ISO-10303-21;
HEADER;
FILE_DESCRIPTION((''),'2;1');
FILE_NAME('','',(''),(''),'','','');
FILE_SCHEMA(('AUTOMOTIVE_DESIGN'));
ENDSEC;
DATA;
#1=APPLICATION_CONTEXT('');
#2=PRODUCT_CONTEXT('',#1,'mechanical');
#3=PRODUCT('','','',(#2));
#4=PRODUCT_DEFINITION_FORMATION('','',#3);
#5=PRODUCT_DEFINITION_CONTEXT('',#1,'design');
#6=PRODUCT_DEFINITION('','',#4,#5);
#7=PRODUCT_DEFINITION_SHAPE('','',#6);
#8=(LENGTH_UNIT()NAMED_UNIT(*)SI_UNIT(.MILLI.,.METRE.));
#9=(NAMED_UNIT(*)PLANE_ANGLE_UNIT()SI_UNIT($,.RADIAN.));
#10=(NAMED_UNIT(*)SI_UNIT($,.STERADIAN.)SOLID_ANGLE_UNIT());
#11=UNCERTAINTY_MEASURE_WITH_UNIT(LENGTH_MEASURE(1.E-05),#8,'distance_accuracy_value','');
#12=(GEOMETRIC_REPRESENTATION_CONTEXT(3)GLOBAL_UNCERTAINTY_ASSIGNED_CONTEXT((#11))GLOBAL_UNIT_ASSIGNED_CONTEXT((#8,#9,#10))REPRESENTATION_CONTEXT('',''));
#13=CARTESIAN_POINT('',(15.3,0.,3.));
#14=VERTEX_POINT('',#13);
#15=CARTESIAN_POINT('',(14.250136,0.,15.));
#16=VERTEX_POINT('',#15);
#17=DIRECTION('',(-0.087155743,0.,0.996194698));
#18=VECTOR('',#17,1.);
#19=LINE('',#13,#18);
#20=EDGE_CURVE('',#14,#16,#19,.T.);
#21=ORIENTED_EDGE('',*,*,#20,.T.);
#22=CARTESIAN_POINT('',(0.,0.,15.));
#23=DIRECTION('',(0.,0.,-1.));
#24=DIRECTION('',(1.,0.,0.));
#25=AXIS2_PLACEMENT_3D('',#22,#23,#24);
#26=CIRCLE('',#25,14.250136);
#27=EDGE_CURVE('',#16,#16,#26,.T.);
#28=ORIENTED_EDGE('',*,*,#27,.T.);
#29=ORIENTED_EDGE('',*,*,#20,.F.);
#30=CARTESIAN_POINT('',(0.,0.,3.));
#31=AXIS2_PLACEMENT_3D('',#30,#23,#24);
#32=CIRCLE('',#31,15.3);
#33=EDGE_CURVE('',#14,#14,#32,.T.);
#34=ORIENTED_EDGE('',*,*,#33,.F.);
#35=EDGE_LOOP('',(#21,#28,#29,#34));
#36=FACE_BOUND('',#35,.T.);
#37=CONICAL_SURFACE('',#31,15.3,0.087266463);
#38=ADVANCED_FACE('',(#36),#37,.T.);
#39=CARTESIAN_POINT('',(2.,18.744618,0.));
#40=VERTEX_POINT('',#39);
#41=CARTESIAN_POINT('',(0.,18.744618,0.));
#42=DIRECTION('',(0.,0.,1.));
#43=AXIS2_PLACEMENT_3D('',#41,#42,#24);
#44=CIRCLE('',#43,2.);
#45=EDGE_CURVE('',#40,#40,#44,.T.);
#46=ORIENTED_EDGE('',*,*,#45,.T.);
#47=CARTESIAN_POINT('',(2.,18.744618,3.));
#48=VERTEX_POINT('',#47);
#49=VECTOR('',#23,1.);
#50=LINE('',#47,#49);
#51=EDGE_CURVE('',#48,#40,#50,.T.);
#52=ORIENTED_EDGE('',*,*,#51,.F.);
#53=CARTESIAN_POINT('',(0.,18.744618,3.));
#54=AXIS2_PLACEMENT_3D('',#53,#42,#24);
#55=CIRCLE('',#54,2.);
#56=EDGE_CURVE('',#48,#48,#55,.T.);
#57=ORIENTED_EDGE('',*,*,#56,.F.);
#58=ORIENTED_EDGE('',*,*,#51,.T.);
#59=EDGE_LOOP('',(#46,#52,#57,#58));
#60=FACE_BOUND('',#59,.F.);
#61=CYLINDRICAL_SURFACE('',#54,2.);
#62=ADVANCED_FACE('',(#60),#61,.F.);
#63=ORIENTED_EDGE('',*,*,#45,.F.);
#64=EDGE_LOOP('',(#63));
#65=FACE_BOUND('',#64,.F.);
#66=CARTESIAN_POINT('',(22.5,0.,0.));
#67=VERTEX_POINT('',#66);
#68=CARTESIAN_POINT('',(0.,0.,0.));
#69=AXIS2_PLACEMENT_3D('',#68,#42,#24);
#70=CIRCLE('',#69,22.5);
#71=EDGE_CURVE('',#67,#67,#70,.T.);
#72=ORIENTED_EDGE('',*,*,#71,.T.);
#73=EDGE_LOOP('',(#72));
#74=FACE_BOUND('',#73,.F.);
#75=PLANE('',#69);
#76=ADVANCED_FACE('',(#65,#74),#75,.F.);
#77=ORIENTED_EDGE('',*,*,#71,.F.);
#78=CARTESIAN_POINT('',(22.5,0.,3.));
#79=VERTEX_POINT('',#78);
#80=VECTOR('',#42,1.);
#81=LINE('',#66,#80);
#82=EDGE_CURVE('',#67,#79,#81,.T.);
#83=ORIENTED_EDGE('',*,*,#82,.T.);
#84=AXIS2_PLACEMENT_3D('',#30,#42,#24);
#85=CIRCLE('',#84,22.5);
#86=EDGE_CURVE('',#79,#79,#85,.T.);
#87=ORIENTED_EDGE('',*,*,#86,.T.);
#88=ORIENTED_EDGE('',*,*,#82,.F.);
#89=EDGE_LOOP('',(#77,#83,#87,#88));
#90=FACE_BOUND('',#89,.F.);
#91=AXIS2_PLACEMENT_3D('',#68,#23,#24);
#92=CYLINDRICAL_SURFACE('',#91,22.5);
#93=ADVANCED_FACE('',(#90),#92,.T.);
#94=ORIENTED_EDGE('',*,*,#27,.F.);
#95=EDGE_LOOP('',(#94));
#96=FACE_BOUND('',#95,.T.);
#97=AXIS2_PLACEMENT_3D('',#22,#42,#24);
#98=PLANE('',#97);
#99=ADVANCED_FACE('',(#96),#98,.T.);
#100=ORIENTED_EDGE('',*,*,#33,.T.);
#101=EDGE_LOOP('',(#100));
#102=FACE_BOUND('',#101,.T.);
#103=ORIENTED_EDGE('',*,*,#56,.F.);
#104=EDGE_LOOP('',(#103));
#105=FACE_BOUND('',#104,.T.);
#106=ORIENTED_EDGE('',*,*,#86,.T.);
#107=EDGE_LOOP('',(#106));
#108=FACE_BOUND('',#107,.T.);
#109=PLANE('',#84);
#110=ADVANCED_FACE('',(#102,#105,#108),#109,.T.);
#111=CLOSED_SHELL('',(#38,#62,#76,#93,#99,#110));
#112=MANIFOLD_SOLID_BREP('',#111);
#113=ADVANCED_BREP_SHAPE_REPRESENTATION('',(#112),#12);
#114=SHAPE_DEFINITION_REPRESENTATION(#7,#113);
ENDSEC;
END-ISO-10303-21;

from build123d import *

# Parameters (mm, degrees)
F0_R     = 22.5
F0_R_2   = 15.3
F1_DEPTH = 3
F2_R     = 15.3
F3_DEPTH = 12
F3_TAPER = 5
F4_R     = 2
F5_DEPTH = 32.3


with BuildPart() as f1:
    # F0 (on Top) → F1 (new body)
    with BuildSketch(Plane.XY):
        Circle(F0_R)
        Circle(F0_R_2, mode=Mode.SUBTRACT)
        Circle(F0_R_2)
    extrude(amount=F1_DEPTH)

    # F2 (on face) → F3 (join)
    with BuildSketch(Plane.XY.offset(3)):
        Circle(F2_R)
    extrude(amount=F3_DEPTH, taper=F3_TAPER)

    # F4 (on face) → F5 (cut)
    with BuildSketch(Plane.XY.offset(3)):
        with Locations((0, 18.7446177006)):
            Circle(F4_R)
    extrude(amount=-F5_DEPTH, mode=Mode.SUBTRACT)


solid = f1.part
